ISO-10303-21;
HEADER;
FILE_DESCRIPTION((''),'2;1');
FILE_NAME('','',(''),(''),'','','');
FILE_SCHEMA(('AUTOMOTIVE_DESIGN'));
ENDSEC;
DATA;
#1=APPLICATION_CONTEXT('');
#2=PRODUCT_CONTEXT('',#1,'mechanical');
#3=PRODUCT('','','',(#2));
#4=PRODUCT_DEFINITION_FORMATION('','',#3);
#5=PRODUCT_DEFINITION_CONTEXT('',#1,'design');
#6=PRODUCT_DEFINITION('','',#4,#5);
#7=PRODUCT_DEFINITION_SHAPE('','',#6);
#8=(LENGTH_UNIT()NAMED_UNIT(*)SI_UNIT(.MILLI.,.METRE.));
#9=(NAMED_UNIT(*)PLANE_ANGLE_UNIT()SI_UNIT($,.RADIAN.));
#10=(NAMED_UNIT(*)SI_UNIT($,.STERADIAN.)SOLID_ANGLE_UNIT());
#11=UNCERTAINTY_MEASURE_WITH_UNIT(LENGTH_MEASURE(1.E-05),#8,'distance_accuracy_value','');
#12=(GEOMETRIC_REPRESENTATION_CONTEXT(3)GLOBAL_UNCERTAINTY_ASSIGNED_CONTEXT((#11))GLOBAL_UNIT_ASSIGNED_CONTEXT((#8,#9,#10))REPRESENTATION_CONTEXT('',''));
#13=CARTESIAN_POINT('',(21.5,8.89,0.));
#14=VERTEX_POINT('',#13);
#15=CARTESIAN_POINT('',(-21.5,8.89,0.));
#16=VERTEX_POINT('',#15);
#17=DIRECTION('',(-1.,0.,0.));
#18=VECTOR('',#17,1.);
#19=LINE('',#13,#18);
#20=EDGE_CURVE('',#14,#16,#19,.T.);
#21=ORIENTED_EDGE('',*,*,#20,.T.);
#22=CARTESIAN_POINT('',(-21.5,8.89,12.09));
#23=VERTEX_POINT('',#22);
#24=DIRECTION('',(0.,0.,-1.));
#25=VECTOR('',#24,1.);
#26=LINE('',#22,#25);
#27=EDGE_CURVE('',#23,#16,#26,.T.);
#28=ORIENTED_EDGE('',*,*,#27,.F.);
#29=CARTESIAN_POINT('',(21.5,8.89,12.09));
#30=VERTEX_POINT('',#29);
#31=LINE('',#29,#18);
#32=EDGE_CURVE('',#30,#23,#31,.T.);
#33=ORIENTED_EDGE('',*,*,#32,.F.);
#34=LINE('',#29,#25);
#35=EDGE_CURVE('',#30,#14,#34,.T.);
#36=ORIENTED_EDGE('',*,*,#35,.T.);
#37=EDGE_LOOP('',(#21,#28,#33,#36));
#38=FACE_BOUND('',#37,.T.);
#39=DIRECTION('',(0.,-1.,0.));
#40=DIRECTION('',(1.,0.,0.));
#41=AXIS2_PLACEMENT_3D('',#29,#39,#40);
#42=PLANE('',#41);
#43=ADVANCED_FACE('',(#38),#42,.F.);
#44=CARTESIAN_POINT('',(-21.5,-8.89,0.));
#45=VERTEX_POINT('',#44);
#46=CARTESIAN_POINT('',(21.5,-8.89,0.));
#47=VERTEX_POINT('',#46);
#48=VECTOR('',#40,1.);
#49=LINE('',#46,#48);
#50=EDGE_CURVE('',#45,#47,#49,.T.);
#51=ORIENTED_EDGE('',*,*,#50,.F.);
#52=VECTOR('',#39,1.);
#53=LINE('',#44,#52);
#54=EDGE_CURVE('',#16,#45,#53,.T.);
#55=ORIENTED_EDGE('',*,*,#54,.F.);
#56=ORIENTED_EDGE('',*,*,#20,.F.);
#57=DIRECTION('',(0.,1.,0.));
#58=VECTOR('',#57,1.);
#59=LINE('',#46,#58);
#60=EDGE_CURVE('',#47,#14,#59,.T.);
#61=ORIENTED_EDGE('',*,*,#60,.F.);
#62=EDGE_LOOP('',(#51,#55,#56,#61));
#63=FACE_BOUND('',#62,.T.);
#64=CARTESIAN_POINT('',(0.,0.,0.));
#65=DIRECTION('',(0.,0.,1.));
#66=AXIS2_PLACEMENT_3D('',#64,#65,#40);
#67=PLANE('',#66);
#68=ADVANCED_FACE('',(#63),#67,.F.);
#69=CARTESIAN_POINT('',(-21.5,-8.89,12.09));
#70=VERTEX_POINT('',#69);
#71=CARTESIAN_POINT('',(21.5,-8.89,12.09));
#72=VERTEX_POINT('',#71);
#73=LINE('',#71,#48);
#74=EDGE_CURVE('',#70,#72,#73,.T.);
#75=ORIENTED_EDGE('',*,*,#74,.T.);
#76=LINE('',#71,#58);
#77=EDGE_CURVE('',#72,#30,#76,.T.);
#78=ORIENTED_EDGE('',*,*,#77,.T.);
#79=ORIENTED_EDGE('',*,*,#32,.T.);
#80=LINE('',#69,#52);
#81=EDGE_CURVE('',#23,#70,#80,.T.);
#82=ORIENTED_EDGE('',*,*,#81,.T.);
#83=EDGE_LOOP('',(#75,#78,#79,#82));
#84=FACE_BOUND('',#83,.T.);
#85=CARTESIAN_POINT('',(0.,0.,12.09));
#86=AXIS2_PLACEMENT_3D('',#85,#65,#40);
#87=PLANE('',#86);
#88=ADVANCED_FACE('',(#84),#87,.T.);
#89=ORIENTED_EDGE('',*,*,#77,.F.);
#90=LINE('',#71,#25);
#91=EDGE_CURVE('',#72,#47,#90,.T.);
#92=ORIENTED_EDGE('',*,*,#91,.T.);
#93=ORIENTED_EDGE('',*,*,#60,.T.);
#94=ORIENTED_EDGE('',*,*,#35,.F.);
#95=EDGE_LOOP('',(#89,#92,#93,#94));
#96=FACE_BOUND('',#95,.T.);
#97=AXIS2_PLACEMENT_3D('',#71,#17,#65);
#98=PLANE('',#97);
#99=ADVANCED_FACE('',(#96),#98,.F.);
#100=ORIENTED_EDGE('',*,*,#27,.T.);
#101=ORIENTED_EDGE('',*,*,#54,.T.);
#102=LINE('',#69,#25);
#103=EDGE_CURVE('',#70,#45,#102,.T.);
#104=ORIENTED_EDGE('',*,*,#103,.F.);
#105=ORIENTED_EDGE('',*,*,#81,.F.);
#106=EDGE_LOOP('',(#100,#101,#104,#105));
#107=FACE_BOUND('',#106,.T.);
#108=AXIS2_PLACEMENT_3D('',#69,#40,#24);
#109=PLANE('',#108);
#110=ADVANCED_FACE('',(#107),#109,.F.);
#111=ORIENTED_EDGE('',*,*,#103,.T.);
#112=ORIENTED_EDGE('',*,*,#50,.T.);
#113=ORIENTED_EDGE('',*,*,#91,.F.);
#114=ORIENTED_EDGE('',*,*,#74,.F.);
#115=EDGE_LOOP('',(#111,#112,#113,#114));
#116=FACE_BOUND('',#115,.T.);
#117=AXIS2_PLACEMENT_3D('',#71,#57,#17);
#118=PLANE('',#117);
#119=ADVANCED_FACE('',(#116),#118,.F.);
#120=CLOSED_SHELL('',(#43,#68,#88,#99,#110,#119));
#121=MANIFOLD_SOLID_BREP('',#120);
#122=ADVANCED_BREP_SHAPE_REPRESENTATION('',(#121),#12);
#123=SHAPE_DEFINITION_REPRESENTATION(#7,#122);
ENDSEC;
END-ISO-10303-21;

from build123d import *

# Parameters (mm, degrees)
SKETCH1_W           = 43
SKETCH1_H           = 17.78
BOSS_EXTRUDE1_DEPTH = 12.09


with BuildPart() as part:
    # Sketch1 → Boss-Extrude1 (new body)
    with BuildSketch(Plane.XY):
        Rectangle(SKETCH1_W, SKETCH1_H)
    extrude(amount=BOSS_EXTRUDE1_DEPTH)


solid = part.part
